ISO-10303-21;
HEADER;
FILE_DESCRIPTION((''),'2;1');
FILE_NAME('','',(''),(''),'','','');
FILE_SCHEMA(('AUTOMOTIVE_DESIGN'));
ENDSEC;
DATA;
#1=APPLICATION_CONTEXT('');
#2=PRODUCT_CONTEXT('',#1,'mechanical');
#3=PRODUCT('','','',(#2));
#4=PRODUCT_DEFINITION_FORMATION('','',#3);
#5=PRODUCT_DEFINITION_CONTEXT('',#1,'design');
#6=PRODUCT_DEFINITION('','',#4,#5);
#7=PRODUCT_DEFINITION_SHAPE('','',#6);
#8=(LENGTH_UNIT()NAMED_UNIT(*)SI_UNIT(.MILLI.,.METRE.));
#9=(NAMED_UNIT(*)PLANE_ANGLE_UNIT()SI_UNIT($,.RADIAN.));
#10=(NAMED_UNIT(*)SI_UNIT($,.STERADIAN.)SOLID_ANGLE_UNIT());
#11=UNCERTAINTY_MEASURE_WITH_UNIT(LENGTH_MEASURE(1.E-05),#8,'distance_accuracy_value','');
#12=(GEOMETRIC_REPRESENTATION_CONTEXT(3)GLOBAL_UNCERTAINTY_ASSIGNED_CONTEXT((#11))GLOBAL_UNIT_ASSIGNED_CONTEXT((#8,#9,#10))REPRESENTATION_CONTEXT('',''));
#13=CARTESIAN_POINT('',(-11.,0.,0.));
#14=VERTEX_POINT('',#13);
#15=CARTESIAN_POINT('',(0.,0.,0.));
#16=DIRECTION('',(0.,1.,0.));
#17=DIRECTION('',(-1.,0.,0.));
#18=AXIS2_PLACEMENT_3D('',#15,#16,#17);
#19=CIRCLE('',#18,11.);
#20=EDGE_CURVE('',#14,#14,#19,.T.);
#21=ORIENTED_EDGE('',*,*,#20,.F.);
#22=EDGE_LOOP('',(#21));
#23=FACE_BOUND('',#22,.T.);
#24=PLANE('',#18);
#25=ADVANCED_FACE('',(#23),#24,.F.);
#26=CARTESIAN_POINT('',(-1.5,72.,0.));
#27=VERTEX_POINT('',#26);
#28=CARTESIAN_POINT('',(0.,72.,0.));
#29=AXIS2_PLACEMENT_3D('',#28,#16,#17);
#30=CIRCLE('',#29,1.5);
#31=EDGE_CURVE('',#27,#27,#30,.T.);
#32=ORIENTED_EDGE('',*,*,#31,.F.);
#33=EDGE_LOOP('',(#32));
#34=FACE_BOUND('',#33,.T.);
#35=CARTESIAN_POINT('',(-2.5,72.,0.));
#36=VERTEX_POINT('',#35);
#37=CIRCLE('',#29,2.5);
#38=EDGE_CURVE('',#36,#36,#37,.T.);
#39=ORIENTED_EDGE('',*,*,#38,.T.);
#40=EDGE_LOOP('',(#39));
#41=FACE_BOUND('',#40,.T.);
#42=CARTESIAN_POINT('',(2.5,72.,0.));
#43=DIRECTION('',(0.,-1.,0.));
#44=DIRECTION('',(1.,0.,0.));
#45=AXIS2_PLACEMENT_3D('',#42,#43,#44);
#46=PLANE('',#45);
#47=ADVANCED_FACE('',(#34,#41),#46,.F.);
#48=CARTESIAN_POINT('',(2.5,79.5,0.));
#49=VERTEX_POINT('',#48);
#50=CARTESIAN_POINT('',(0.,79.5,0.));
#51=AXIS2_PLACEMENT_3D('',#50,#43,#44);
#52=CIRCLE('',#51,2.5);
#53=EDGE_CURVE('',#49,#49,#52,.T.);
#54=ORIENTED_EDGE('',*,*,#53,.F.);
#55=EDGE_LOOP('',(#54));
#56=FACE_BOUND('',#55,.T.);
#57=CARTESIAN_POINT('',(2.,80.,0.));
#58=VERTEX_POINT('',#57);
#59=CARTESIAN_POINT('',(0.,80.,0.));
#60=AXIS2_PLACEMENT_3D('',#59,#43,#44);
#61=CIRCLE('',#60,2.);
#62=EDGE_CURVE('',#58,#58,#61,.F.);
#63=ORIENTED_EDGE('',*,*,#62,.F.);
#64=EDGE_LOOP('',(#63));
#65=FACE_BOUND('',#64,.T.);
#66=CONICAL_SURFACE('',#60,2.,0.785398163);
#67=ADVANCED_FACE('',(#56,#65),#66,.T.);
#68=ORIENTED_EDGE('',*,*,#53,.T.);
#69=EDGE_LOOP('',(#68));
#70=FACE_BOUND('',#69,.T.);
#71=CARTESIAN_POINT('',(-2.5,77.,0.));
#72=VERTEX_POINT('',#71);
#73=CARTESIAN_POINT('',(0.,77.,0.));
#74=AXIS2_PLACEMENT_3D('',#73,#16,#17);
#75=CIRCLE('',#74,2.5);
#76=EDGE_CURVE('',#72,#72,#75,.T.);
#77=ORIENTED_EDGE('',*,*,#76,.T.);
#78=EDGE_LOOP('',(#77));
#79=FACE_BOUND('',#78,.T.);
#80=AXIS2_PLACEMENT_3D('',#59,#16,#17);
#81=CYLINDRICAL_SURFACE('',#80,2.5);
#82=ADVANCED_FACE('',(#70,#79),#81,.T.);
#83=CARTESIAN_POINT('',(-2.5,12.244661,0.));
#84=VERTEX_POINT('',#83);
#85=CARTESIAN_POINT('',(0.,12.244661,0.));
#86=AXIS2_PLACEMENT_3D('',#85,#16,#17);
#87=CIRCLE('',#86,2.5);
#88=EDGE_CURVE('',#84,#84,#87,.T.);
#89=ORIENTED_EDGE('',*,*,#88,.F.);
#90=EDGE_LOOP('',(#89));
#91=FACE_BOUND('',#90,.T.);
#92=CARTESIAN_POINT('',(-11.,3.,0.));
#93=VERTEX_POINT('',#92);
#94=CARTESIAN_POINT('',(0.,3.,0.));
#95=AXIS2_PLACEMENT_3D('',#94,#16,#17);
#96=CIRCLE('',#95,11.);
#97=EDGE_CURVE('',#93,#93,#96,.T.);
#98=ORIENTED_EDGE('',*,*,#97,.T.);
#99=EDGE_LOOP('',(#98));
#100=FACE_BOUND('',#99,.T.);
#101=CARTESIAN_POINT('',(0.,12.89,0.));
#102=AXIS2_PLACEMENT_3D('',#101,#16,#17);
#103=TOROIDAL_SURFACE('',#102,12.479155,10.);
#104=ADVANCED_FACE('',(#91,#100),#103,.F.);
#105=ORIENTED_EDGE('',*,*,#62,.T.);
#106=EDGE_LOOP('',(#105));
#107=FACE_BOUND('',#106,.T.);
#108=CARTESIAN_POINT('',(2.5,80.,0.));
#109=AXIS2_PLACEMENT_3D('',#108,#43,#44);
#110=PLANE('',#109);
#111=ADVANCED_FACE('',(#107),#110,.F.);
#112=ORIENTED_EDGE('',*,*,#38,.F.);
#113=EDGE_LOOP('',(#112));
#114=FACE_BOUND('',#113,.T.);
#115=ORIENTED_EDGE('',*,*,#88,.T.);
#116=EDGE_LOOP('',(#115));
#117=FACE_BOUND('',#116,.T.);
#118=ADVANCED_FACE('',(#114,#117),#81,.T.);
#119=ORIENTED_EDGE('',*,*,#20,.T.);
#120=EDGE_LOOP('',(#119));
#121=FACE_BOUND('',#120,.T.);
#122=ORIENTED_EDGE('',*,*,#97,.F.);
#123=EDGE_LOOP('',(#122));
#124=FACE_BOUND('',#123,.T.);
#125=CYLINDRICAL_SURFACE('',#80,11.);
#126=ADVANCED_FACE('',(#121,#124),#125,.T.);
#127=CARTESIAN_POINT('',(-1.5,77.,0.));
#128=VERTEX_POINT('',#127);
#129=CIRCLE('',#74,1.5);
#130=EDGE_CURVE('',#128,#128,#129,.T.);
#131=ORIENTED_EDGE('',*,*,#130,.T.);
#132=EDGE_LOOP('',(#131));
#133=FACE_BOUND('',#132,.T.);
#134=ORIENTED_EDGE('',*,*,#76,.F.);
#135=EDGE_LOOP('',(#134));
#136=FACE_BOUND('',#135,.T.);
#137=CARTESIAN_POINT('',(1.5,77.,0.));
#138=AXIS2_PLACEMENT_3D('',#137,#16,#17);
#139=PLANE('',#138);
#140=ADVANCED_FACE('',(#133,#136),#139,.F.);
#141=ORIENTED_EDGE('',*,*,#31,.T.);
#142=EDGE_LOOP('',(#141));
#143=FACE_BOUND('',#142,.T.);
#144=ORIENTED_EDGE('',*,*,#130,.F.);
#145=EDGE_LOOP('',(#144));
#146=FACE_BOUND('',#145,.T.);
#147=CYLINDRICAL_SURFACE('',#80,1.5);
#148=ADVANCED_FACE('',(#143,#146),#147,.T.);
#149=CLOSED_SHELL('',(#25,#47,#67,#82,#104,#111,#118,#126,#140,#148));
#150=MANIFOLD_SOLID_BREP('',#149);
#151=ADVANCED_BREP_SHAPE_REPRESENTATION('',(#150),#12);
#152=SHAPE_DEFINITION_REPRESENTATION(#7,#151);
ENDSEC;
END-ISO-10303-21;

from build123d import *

# Parameters (mm, degrees)
CHAMFER1_SIZE = 0.5


with BuildPart() as part:
    # Sketch1 → Revolve1 (revolve)
    with BuildSketch(Plane.XY, mode=Mode.PRIVATE) as revolve1_sk:
        with BuildLine():
            Line((0, 0), (11, 0))
            Line((11, 0), (11, 3))
            ThreePointArc((11, 3), (5.117826553, 6.121629363), (2.5, 12.244661169))
            Line((2.5, 12.244661169), (2.5, 72))
            Line((2.5, 72), (1.5, 72))
            Line((1.5, 72), (1.5, 77))
            Line((1.5, 77), (2.5, 77))
            Line((2.5, 77), (2.5, 80))
            Line((2.5, 80), (0, 80))
            Line((0, 80), (0, 0))
        make_face()
    revolve(revolve1_sk.sketch.rotate(Axis((0, 80, 0), (0, -1, 0)), 180), axis=Axis((0, 80, 0), (0, -1, 0)))

    # Chamfer1
    chamfer1_edges = [part.edges().sort_by_distance(p)[0] for p in [
        (2.5, 80, 0),
    ]]
    chamfer(chamfer1_edges, length=CHAMFER1_SIZE)


solid = part.part
